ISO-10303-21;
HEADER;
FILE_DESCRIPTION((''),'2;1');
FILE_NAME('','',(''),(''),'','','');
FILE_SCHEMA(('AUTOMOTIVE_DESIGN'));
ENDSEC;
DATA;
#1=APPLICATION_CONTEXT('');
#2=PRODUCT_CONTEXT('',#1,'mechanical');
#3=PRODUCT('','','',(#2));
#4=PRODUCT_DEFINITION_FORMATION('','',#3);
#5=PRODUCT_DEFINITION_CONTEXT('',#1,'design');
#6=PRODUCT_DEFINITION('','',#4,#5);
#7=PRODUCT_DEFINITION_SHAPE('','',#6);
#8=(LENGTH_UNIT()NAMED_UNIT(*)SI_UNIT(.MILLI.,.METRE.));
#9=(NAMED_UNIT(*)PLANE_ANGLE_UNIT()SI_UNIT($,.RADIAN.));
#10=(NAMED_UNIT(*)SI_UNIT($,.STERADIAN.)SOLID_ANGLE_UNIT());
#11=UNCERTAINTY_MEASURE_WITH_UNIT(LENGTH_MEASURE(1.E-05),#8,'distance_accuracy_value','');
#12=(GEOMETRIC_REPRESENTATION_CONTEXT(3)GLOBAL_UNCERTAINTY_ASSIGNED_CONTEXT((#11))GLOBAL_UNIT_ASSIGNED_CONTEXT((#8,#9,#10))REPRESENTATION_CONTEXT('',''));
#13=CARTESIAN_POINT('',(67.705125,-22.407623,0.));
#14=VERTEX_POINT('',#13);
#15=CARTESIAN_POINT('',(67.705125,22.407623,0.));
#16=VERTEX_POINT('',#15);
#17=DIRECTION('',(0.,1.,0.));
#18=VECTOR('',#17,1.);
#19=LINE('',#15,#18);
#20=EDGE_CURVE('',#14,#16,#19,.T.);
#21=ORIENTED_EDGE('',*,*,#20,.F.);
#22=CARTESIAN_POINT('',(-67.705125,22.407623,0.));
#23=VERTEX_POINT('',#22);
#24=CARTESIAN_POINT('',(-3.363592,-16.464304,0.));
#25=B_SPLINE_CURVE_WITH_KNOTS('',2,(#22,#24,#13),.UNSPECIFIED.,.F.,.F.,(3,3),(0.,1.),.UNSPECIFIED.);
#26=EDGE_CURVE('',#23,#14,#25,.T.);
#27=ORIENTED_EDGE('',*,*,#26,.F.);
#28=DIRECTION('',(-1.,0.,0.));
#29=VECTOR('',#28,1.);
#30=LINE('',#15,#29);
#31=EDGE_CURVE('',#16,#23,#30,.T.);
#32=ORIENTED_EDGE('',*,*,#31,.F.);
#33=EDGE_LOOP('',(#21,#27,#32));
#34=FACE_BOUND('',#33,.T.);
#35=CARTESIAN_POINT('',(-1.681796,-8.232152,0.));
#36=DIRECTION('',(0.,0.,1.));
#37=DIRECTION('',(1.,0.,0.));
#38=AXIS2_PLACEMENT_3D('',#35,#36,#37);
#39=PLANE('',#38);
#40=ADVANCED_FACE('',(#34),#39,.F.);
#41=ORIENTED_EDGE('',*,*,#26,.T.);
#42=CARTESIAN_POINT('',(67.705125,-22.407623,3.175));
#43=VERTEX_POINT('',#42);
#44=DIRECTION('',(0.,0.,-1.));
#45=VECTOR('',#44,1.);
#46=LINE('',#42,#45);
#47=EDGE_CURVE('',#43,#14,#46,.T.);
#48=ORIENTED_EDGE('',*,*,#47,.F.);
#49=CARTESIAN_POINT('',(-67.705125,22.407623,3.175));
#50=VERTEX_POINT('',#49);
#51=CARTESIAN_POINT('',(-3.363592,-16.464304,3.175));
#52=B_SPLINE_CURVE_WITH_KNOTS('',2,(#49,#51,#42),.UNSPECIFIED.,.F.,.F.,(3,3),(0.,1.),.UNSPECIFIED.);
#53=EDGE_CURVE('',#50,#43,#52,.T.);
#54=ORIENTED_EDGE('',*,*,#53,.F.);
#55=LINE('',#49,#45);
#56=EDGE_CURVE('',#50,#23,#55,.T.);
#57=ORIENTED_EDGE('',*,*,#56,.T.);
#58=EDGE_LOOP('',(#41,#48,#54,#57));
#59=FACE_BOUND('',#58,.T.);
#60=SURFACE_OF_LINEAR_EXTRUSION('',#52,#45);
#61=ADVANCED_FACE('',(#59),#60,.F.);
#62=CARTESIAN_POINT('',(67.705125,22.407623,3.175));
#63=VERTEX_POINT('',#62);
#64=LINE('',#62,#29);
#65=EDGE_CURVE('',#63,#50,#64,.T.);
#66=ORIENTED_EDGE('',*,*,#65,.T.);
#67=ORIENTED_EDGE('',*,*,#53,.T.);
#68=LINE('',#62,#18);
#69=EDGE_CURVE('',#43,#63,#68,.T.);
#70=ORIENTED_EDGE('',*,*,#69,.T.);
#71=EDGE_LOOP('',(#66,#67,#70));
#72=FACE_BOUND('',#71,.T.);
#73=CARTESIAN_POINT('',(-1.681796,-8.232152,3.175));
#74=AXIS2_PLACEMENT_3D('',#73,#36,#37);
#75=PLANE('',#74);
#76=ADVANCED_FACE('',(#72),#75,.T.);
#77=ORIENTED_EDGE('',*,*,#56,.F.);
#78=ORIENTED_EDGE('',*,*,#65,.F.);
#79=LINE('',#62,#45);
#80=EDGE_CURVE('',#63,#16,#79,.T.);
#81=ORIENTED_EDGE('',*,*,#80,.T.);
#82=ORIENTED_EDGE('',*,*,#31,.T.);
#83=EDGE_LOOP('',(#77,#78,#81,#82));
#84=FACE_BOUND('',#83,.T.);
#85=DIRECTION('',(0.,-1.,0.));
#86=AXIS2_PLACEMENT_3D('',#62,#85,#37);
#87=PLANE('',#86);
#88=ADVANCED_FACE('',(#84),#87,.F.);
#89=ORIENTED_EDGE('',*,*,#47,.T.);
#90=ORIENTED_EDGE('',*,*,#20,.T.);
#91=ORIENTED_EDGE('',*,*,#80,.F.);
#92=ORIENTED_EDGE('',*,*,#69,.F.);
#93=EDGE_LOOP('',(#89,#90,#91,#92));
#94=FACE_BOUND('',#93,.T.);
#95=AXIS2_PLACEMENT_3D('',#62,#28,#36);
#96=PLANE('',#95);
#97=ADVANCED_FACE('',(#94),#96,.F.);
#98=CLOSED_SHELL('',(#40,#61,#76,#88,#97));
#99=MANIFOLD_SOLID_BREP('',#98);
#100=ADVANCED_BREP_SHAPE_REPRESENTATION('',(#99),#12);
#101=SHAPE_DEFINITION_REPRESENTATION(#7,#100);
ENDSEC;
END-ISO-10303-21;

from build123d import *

# Parameters (mm, degrees)
BOSS_EXTRUDE1_DEPTH = 3.175


with BuildPart() as part:
    # Sketch1 → Boss-Extrude1 (new body)
    with BuildSketch(Plane.XY):
        with BuildLine():
            Line((67.70512505, 22.407623054), (-67.70512505, 22.407623054))
            add(Edge.make_bspline(
                [(67.70512505, -22.407623054), (-3.363591579, -16.464303642), (-67.70512505, 22.407623054)],
                knots=[0, 0, 0, 1, 1, 1], degree=2))
            Line((67.70512505, -22.407623054), (67.70512505, 22.407623054))
        make_face()
    extrude(amount=BOSS_EXTRUDE1_DEPTH)


solid = part.part
